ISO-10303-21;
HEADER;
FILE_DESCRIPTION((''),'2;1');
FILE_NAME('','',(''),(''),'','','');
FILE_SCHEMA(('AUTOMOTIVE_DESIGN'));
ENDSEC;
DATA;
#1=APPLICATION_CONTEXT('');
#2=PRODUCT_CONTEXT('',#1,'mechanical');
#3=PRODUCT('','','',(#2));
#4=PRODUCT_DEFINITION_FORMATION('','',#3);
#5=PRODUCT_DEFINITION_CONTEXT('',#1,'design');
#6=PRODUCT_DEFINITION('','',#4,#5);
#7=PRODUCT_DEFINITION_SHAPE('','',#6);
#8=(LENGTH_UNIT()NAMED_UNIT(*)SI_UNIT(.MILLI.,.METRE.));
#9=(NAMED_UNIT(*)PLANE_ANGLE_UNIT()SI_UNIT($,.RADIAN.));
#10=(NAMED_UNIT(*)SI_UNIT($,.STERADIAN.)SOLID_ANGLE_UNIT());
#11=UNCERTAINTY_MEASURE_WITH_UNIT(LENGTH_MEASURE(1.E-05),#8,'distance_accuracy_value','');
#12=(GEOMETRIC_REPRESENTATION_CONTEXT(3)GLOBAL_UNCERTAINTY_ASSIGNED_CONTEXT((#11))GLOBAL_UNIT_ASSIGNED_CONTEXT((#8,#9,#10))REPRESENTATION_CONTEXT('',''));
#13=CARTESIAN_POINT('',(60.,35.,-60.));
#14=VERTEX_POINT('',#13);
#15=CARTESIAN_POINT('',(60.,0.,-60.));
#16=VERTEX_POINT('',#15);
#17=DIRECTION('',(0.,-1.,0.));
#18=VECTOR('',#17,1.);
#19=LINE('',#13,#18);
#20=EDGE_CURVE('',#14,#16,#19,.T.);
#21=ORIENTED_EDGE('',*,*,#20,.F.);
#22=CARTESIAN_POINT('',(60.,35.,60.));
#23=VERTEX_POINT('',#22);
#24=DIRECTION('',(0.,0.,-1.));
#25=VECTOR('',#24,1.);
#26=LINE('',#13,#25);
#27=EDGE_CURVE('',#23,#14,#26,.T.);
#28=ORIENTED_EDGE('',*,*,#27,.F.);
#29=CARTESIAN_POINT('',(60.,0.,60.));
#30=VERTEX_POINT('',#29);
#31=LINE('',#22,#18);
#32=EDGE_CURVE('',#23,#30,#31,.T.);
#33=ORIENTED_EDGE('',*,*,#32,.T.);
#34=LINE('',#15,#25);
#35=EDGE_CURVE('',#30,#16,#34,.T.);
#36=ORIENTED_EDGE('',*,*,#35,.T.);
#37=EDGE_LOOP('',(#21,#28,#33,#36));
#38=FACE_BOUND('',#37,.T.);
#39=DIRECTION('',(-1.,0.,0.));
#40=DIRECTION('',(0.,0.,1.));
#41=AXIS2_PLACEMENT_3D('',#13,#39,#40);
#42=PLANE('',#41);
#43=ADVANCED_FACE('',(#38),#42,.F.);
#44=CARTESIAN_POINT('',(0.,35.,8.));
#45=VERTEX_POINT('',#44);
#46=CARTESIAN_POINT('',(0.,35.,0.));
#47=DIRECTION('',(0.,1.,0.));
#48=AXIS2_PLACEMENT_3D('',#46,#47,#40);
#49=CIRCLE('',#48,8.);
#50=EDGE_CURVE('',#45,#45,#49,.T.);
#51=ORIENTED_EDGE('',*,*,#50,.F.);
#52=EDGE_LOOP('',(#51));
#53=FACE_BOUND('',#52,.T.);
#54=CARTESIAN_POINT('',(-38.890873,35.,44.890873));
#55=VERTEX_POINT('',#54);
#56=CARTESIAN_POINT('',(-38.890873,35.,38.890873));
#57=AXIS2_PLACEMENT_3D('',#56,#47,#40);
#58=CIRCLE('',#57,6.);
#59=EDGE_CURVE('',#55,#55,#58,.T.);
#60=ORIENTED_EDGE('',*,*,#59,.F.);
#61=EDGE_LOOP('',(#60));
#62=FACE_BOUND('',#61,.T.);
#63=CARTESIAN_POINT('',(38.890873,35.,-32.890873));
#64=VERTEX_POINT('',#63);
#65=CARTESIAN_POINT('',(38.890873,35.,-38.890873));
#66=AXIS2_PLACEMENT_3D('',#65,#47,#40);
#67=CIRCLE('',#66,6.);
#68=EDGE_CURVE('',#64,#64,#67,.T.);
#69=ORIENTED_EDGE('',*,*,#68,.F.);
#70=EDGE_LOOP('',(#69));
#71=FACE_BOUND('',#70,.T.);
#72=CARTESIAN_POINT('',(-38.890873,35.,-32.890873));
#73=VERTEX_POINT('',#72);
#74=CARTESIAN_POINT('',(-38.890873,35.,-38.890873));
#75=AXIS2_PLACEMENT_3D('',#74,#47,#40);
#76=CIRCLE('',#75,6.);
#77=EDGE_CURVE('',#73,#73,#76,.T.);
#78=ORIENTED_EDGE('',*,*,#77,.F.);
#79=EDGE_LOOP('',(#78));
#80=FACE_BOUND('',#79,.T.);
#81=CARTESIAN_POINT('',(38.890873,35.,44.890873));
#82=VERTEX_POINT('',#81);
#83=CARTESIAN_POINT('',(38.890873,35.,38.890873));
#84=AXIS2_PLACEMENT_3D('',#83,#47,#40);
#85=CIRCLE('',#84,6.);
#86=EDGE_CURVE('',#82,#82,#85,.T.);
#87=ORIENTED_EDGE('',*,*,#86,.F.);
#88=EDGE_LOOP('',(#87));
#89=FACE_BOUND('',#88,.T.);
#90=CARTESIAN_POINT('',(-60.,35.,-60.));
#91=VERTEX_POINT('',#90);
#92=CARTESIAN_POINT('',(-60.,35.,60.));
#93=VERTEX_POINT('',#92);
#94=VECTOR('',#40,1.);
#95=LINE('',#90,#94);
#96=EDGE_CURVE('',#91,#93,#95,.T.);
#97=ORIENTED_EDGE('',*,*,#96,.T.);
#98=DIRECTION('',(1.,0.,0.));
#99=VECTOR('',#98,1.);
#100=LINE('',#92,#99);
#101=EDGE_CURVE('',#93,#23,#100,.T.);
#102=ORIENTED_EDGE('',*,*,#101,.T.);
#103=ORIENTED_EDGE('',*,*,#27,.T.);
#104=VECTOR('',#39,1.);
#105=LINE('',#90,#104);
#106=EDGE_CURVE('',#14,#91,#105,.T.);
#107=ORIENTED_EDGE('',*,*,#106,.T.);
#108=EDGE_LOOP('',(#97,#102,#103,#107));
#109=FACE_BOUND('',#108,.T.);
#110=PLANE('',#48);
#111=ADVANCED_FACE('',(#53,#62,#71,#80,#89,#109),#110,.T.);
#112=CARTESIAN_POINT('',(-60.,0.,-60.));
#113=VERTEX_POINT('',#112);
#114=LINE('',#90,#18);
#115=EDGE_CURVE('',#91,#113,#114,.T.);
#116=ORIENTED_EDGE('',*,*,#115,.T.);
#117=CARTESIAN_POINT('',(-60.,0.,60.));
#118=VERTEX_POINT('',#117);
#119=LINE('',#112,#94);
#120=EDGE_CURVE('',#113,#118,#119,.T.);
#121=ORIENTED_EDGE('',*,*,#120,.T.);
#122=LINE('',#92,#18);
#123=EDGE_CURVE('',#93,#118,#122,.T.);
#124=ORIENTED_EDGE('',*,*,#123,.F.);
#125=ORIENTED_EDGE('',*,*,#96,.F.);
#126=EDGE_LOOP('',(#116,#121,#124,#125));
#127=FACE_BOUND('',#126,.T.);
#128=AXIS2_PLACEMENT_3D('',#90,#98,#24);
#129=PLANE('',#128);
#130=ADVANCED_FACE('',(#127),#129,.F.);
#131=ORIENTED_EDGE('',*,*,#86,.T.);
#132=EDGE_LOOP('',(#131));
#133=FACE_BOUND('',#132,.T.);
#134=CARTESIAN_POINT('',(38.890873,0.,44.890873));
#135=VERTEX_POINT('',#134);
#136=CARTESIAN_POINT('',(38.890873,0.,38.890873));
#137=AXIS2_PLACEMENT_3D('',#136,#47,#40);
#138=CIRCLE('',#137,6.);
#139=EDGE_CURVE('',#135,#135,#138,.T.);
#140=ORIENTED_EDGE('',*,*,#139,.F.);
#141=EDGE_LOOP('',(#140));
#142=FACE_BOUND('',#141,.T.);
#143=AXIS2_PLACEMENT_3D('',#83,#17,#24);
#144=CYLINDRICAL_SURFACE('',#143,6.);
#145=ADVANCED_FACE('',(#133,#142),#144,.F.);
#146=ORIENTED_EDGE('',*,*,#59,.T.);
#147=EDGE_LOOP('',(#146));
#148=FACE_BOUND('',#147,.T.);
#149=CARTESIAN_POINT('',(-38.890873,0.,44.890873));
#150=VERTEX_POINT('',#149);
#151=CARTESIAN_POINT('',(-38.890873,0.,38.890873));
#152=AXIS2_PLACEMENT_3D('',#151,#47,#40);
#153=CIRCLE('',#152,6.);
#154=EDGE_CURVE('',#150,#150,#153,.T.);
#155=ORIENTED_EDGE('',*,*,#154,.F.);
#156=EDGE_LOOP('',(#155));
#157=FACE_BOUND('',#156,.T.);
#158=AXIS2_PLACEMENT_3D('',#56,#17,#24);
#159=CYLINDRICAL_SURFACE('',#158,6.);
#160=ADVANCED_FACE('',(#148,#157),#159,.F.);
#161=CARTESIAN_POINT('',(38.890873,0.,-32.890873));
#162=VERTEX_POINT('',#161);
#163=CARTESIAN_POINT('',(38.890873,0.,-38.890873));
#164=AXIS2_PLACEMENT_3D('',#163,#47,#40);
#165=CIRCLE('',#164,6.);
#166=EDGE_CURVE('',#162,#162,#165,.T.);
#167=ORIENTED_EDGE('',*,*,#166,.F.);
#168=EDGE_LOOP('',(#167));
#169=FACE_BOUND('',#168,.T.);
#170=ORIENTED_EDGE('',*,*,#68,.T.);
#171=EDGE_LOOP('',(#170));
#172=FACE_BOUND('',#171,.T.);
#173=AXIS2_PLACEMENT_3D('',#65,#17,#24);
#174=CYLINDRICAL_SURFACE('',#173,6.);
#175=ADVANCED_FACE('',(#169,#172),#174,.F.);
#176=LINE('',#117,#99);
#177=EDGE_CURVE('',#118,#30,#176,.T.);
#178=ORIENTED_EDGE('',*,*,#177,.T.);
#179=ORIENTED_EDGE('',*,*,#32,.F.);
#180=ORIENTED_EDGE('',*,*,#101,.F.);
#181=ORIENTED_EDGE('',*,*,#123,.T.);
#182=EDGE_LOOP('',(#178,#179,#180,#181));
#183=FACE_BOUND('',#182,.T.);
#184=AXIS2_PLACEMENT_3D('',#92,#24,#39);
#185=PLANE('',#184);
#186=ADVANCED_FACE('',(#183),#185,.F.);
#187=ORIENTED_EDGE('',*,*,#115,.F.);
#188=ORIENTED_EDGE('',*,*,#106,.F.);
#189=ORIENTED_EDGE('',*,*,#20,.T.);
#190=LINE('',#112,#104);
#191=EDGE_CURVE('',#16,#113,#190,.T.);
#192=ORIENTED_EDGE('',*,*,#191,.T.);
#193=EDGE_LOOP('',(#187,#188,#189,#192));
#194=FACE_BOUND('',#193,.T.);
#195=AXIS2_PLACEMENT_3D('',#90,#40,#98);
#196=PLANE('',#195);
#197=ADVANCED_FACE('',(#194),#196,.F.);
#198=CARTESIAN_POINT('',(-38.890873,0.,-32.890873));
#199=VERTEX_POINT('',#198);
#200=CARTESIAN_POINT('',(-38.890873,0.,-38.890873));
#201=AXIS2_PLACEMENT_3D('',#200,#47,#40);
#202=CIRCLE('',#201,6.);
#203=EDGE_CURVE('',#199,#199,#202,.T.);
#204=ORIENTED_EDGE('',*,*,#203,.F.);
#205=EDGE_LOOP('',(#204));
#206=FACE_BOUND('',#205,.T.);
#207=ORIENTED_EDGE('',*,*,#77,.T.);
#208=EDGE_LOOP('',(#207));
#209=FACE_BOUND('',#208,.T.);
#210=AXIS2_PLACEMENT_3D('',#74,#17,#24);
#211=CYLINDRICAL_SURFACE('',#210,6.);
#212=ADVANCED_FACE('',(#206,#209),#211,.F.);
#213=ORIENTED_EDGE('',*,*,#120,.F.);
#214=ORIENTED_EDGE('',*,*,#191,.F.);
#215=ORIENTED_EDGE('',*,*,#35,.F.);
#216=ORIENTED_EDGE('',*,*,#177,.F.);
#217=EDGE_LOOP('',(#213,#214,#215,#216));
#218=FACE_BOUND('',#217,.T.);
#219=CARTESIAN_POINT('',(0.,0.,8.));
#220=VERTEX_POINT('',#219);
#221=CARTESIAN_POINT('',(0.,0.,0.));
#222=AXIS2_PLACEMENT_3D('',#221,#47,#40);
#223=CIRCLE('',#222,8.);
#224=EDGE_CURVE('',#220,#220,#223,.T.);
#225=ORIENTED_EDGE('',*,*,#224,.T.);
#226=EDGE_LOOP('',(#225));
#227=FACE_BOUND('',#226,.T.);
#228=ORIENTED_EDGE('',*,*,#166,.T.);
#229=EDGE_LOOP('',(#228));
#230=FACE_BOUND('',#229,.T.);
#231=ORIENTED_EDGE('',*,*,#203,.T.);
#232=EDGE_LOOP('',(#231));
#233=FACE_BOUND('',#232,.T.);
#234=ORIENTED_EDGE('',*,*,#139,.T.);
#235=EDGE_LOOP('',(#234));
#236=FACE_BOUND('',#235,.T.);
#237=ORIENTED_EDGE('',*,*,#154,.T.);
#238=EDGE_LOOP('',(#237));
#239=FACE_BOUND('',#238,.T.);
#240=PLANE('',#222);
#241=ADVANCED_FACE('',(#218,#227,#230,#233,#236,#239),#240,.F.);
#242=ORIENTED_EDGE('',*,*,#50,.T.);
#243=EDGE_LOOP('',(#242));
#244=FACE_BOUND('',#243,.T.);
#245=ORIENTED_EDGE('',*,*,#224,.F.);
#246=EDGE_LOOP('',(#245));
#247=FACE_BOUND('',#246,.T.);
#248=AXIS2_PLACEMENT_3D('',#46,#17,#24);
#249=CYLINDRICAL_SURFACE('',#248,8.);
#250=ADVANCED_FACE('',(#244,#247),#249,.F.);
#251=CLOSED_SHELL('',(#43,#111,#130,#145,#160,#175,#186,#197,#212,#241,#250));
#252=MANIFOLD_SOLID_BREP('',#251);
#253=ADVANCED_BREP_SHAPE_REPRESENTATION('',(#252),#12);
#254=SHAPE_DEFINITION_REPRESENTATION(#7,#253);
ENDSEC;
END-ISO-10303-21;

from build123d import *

# Parameters (mm, degrees)
SKETCH1_W           = 120
SKETCH1_H           = 120
SKETCH1_R           = 8
SKETCH1_R_2         = 6
BOSS_EXTRUDE1_DEPTH = 35


with BuildPart() as part:
    # Sketch1 → Boss-Extrude1 (new body)
    with BuildSketch(Plane(origin=(0, 0, 0), x_dir=(1, 0, 0), z_dir=(0, 1, 0))):
        Rectangle(SKETCH1_W, SKETCH1_H)
        Circle(SKETCH1_R, mode=Mode.SUBTRACT)
        with Locations((-38.890872965, -38.890872965)):
            Circle(SKETCH1_R_2, mode=Mode.SUBTRACT)
        with Locations((38.890872965, -38.890872965)):
            Circle(SKETCH1_R_2, mode=Mode.SUBTRACT)
        with Locations((-38.890872965, 38.890872965)):
            Circle(SKETCH1_R_2, mode=Mode.SUBTRACT)
        with Locations((38.890872965, 38.890872965)):
            Circle(SKETCH1_R_2, mode=Mode.SUBTRACT)
    extrude(amount=BOSS_EXTRUDE1_DEPTH)


solid = part.part
